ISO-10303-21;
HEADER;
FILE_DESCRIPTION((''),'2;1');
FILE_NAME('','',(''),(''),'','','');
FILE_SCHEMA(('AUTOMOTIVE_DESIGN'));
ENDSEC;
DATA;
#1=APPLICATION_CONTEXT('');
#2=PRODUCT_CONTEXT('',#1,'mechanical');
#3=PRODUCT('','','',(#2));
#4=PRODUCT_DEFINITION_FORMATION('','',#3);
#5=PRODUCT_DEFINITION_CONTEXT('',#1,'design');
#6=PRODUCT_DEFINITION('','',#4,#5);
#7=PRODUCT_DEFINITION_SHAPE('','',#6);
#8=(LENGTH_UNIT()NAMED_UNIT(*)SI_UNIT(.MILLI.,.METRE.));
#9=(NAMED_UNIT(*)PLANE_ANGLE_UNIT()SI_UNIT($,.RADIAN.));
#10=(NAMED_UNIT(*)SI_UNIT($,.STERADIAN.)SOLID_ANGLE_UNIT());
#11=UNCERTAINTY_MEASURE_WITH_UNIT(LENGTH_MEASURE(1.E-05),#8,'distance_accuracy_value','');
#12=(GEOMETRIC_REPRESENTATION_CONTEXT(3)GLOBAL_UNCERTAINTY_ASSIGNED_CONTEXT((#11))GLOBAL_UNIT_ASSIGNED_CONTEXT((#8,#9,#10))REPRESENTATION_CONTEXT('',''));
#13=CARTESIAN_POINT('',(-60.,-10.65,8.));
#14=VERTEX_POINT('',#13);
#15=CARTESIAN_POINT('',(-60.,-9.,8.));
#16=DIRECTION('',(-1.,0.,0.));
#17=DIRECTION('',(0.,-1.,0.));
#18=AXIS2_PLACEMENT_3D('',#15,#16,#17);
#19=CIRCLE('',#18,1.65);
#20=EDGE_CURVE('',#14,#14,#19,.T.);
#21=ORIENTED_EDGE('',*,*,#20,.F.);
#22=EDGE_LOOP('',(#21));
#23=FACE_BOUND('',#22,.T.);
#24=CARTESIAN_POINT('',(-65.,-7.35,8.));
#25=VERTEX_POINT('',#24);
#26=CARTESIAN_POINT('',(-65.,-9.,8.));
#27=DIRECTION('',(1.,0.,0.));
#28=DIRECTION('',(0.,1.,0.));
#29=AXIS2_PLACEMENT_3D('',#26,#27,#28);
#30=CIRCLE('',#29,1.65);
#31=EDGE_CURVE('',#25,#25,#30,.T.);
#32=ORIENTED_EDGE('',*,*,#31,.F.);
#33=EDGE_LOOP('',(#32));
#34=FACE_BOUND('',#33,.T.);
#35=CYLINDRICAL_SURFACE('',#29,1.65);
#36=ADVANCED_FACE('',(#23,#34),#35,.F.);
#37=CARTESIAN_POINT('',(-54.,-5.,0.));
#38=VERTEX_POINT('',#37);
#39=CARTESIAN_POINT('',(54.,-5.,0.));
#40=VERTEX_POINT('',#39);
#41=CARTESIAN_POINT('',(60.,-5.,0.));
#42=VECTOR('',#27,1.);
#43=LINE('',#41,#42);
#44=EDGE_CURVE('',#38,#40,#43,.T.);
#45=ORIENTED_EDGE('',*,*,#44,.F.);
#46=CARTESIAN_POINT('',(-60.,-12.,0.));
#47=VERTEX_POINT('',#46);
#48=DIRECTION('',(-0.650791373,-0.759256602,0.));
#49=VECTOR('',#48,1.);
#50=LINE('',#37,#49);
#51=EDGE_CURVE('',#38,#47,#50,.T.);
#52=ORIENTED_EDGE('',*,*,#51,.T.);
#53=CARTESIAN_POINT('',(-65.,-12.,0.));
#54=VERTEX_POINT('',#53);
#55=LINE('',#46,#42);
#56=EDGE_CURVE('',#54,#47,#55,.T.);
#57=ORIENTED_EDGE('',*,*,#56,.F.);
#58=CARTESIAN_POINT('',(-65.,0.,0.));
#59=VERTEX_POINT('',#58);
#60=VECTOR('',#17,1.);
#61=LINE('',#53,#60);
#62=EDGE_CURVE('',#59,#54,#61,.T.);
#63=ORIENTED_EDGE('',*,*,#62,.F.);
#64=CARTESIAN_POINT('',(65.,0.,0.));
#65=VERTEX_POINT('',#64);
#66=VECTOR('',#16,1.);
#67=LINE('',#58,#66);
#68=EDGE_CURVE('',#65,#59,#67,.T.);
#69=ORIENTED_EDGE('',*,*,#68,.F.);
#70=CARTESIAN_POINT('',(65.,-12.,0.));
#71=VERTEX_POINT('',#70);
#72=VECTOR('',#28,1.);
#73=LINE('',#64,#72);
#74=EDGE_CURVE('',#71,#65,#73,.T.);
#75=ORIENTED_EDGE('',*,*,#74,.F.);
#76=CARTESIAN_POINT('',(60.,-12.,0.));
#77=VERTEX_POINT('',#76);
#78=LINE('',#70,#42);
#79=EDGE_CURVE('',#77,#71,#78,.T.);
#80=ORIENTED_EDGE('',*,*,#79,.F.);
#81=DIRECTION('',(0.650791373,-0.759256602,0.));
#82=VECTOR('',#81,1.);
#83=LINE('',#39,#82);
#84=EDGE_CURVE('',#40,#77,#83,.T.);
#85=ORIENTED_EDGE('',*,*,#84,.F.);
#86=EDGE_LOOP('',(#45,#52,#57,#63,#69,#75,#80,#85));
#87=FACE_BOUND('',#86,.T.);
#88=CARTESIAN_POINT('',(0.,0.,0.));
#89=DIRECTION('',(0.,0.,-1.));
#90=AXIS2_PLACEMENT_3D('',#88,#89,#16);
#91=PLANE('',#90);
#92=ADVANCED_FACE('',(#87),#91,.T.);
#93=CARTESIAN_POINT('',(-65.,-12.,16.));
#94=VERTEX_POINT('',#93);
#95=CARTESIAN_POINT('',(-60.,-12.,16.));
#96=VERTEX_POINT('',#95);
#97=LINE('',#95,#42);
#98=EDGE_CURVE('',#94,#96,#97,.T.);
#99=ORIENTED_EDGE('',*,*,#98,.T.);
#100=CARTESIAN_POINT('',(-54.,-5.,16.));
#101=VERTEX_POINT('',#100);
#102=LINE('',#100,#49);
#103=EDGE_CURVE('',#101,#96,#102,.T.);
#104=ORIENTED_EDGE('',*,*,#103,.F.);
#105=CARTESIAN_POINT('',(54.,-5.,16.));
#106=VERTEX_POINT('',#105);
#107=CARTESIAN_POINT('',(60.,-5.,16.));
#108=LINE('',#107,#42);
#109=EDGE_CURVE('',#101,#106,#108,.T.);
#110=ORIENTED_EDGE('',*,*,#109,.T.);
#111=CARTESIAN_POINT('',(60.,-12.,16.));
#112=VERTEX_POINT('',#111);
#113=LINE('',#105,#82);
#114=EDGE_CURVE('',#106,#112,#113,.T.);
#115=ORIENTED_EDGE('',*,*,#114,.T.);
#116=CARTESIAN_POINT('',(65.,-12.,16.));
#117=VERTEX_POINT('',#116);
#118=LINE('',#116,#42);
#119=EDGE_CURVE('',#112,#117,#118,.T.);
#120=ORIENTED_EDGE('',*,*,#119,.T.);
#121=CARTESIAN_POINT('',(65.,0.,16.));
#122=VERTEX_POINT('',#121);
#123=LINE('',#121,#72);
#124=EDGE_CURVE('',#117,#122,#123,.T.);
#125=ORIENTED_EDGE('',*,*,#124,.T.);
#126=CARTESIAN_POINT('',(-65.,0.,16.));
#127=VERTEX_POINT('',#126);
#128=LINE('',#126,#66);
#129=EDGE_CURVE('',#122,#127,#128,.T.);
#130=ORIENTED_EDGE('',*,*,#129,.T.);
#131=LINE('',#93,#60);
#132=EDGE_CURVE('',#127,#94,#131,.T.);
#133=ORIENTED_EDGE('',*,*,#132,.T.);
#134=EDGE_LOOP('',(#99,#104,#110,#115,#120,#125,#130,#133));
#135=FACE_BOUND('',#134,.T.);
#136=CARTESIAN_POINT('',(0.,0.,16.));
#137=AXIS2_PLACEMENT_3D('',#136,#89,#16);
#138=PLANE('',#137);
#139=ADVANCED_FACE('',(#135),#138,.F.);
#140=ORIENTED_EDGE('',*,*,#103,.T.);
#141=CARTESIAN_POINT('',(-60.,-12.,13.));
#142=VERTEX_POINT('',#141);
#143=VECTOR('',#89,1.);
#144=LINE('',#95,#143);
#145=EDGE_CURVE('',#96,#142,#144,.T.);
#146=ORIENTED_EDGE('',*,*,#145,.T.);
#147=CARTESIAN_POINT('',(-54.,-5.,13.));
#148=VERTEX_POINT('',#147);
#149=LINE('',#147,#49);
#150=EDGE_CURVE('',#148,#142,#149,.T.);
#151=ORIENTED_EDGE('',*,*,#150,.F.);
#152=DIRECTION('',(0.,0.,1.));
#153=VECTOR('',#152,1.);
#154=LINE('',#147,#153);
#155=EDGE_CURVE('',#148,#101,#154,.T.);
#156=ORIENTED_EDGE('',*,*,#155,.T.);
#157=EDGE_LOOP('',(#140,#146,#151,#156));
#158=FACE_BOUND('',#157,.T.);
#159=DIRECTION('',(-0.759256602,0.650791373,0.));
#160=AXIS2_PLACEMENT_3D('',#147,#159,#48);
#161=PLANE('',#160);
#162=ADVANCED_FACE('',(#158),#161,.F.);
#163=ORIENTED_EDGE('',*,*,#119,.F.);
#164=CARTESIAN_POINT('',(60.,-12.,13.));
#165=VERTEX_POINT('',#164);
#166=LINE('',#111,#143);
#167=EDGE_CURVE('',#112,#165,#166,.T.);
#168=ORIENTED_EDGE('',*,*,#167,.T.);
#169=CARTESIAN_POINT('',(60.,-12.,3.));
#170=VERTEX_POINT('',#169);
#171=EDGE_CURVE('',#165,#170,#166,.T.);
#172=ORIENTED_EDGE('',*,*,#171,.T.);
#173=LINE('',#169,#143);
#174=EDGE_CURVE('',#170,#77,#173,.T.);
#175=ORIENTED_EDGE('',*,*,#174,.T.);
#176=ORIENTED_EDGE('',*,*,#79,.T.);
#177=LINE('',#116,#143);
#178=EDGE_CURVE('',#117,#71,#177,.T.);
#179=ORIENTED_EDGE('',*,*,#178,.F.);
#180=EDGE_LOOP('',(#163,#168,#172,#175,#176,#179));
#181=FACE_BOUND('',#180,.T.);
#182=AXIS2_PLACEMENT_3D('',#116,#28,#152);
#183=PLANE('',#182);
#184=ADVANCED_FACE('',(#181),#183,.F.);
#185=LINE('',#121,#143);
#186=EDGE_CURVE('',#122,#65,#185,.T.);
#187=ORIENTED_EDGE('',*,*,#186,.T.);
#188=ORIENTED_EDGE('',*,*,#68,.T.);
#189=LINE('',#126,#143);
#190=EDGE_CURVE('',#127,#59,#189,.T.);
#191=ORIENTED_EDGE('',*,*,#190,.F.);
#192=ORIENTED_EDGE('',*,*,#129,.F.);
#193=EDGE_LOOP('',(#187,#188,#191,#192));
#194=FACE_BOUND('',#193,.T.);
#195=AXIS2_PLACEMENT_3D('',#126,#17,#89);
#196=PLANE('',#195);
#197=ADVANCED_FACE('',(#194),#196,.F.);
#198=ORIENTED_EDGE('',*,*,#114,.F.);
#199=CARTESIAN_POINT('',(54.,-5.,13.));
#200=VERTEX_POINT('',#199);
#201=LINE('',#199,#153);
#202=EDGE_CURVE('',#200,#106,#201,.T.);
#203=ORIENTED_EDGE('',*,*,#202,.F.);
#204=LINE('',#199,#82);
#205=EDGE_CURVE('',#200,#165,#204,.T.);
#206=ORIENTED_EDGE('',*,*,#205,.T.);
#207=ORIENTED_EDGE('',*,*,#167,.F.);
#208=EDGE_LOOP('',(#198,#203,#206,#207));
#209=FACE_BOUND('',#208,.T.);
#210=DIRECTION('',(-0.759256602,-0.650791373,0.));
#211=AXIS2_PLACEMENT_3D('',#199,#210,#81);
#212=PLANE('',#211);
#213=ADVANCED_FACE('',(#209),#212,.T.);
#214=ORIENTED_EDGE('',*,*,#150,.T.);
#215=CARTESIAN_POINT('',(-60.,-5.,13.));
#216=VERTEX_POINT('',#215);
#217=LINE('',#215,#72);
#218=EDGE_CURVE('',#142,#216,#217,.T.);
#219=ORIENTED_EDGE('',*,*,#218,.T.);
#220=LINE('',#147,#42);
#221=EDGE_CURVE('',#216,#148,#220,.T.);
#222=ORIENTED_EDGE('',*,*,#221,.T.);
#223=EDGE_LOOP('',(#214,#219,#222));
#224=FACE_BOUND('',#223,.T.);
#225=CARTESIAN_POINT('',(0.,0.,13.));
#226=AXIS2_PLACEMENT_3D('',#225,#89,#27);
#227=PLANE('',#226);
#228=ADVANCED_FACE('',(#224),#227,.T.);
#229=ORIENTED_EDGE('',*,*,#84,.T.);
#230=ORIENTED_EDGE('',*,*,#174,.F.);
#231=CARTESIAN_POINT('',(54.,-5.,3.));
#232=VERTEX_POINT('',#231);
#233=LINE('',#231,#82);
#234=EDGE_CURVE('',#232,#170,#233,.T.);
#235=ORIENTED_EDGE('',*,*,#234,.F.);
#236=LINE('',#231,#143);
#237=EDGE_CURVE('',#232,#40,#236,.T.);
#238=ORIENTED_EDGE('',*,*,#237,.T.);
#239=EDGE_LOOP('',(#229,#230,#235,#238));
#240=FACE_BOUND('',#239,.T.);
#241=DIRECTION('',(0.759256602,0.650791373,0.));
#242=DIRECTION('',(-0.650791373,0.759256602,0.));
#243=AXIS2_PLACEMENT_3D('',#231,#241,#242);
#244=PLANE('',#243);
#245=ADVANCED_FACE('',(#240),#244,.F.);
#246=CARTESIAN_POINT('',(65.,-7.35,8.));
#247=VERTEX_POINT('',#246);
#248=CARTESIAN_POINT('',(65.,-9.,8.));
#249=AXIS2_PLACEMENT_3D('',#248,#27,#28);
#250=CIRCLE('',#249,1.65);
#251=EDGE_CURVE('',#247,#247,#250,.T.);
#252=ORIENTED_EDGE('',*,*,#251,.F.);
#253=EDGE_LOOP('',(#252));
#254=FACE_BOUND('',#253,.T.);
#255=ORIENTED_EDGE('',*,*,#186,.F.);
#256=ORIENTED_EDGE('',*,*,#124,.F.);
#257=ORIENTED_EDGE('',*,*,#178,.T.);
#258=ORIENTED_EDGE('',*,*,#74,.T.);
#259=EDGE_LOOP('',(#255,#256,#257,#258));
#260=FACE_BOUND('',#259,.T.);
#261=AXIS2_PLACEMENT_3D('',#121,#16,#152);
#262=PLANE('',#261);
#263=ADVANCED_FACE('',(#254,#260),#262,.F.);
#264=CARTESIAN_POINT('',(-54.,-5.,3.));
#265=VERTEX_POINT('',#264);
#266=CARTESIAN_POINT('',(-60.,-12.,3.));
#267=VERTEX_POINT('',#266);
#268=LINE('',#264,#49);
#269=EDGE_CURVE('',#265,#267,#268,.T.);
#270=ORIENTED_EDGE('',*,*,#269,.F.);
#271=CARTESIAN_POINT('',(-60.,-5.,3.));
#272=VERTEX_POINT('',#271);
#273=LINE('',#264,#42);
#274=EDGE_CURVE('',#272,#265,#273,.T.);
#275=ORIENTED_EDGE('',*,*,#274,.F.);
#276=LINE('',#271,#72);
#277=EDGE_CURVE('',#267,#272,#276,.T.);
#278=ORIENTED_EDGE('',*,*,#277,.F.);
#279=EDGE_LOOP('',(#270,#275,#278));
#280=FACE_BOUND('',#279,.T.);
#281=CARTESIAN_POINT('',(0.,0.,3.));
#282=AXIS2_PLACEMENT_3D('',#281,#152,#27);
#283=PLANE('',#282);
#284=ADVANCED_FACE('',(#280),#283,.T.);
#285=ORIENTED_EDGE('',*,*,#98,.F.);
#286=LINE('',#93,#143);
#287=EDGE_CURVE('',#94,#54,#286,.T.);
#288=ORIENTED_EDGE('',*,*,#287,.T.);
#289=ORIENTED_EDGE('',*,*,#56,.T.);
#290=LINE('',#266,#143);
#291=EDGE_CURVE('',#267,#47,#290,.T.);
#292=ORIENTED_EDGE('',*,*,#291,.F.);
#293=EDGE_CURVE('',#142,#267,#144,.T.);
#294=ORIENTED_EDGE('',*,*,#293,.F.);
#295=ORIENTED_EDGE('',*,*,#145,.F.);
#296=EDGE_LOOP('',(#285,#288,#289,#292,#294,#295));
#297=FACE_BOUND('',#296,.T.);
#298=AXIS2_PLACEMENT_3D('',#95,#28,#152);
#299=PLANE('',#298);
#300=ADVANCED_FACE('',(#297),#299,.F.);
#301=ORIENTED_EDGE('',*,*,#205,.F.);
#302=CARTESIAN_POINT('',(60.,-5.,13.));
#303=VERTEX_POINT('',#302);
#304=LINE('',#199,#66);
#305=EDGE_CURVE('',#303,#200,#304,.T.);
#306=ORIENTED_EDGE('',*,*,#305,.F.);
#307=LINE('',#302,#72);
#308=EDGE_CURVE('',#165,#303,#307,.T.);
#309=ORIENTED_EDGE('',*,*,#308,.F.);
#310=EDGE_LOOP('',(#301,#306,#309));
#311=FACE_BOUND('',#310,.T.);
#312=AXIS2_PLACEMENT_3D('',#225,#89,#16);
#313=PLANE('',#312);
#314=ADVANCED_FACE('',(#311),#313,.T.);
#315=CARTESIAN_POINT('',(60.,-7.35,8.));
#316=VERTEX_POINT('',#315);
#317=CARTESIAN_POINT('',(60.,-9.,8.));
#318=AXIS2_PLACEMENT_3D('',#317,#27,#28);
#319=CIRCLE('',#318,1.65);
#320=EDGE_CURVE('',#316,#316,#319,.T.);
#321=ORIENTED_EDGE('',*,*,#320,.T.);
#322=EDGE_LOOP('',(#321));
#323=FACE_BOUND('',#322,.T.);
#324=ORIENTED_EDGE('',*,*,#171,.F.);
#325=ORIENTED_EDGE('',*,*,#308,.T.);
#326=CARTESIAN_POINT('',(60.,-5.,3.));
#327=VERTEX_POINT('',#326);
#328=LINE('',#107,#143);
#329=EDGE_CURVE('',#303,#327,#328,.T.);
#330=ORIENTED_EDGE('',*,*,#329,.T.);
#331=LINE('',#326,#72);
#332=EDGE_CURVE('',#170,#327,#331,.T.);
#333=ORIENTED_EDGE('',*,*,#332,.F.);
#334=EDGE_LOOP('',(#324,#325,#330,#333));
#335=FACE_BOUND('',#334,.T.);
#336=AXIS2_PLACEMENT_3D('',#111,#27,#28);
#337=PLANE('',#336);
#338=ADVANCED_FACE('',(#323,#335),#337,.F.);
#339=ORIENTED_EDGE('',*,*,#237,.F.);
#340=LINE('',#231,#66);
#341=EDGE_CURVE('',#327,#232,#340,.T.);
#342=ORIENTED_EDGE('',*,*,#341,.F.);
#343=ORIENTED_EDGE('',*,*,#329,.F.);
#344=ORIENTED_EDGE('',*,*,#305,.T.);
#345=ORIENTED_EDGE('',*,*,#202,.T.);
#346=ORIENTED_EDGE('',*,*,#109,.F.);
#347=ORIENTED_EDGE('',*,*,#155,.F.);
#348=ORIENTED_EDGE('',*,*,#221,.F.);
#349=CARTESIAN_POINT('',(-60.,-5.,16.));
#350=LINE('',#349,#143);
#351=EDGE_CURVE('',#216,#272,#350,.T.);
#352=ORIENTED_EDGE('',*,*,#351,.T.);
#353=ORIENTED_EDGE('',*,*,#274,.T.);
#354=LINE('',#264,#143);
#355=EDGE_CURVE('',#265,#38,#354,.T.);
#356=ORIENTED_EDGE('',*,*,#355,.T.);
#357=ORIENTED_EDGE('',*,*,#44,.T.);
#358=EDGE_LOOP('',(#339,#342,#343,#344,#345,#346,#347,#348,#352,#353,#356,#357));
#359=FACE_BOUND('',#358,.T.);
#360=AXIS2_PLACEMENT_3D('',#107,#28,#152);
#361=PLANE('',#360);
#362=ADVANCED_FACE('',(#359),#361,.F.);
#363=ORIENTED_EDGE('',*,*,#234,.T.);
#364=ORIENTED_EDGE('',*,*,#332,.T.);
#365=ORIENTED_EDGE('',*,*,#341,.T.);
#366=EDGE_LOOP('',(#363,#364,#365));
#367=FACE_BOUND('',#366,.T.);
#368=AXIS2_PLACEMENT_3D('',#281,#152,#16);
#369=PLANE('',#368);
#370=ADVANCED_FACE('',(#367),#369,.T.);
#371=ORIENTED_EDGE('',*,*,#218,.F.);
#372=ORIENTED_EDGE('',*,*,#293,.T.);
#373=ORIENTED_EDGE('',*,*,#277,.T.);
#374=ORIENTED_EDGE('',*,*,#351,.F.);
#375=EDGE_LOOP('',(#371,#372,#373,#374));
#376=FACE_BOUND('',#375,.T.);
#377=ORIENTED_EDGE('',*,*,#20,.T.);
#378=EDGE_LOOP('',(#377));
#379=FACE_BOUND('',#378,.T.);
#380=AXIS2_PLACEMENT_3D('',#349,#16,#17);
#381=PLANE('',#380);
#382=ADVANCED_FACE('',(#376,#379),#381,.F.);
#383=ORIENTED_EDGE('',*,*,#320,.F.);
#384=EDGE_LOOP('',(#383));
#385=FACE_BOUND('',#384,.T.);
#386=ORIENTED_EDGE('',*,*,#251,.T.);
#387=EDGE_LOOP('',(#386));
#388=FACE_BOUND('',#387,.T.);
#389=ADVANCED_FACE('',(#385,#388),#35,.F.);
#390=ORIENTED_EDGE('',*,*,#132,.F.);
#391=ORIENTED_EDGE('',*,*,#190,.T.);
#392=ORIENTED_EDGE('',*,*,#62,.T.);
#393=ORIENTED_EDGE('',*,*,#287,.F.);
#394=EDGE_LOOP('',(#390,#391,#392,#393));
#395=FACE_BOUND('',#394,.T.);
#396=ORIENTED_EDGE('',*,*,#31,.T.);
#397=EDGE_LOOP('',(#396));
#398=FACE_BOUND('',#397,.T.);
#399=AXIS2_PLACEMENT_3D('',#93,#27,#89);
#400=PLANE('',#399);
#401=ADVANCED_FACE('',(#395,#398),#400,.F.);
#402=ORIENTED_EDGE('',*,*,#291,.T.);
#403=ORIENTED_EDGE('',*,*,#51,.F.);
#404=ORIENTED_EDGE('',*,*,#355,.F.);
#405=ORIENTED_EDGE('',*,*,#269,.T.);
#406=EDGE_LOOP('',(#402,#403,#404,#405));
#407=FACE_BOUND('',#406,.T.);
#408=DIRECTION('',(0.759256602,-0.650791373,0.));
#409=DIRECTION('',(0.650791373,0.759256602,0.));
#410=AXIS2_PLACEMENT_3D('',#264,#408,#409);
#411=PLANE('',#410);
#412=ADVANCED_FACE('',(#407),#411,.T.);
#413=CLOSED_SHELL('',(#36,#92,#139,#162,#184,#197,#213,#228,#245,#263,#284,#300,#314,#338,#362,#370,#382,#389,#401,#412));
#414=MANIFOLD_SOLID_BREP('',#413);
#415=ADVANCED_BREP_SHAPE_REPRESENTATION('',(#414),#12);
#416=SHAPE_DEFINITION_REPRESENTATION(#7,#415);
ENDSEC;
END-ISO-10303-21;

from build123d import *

# Parameters (mm, degrees)
EXTRUDE_2_DEPTH          = 16
SKETCH_3_R               = 1.65
CUT_EXTRUDE_1_DEPTH      = 126
CUT_EXTRUDE_1_DEPTH_BACK = 6
EXTRUDE_3_DEPTH          = 3
MIRROR_2_COPY_1_DEPTH    = 3


with BuildPart() as part:
    # 草图1 → 凸台-拉伸2 (new body)
    with BuildSketch(Plane.XY):
        Polygon((-65, 0), (65, 0), (65, -12), (60, -12), (60, -5), (-60, -5), (-60, -12), (-65, -12), align=None)
    extrude(amount=EXTRUDE_2_DEPTH)

    # 草图3 → 切除-拉伸1 (cut, two sides)
    with BuildSketch(Plane(origin=(-60, 0, 0), x_dir=(0, 0, -1), z_dir=(1, 0, 0))) as cut_extrude_1_sk:
        with Locations((-8, -9)):
            Circle(SKETCH_3_R)
    extrude(amount=CUT_EXTRUDE_1_DEPTH, mode=Mode.SUBTRACT)
    extrude(cut_extrude_1_sk.sketch, amount=-CUT_EXTRUDE_1_DEPTH_BACK, mode=Mode.SUBTRACT)

    # 草图4 → 凸台-拉伸3 (add)
    with BuildSketch(Plane(origin=(0, 0, 0), x_dir=(-1, 0, 0), z_dir=(0, 0, -1))):
        Polygon((54, -5), (60, -12), (60, -5), align=None)
    extrude_3 = extrude(amount=-EXTRUDE_3_DEPTH)

    # 镜向1: 凸台-拉伸3 across plane
    add(extrude_3.mirror(Plane.XY.offset(8)))

    # 镜向2: 凸台-拉伸3 across plane
    add(extrude_3.mirror(Plane(origin=(0, 0, 0), x_dir=(0, 0, 1), z_dir=(1, 0, 0))))

    # 镜向2 copy 1 sketch → 镜向2 copy 1 (add)
    with BuildSketch(Plane.XY.offset(16)):
        Polygon((54, -5), (60, -12), (60, -5), align=None)
    extrude(amount=-MIRROR_2_COPY_1_DEPTH)


solid = part.part
